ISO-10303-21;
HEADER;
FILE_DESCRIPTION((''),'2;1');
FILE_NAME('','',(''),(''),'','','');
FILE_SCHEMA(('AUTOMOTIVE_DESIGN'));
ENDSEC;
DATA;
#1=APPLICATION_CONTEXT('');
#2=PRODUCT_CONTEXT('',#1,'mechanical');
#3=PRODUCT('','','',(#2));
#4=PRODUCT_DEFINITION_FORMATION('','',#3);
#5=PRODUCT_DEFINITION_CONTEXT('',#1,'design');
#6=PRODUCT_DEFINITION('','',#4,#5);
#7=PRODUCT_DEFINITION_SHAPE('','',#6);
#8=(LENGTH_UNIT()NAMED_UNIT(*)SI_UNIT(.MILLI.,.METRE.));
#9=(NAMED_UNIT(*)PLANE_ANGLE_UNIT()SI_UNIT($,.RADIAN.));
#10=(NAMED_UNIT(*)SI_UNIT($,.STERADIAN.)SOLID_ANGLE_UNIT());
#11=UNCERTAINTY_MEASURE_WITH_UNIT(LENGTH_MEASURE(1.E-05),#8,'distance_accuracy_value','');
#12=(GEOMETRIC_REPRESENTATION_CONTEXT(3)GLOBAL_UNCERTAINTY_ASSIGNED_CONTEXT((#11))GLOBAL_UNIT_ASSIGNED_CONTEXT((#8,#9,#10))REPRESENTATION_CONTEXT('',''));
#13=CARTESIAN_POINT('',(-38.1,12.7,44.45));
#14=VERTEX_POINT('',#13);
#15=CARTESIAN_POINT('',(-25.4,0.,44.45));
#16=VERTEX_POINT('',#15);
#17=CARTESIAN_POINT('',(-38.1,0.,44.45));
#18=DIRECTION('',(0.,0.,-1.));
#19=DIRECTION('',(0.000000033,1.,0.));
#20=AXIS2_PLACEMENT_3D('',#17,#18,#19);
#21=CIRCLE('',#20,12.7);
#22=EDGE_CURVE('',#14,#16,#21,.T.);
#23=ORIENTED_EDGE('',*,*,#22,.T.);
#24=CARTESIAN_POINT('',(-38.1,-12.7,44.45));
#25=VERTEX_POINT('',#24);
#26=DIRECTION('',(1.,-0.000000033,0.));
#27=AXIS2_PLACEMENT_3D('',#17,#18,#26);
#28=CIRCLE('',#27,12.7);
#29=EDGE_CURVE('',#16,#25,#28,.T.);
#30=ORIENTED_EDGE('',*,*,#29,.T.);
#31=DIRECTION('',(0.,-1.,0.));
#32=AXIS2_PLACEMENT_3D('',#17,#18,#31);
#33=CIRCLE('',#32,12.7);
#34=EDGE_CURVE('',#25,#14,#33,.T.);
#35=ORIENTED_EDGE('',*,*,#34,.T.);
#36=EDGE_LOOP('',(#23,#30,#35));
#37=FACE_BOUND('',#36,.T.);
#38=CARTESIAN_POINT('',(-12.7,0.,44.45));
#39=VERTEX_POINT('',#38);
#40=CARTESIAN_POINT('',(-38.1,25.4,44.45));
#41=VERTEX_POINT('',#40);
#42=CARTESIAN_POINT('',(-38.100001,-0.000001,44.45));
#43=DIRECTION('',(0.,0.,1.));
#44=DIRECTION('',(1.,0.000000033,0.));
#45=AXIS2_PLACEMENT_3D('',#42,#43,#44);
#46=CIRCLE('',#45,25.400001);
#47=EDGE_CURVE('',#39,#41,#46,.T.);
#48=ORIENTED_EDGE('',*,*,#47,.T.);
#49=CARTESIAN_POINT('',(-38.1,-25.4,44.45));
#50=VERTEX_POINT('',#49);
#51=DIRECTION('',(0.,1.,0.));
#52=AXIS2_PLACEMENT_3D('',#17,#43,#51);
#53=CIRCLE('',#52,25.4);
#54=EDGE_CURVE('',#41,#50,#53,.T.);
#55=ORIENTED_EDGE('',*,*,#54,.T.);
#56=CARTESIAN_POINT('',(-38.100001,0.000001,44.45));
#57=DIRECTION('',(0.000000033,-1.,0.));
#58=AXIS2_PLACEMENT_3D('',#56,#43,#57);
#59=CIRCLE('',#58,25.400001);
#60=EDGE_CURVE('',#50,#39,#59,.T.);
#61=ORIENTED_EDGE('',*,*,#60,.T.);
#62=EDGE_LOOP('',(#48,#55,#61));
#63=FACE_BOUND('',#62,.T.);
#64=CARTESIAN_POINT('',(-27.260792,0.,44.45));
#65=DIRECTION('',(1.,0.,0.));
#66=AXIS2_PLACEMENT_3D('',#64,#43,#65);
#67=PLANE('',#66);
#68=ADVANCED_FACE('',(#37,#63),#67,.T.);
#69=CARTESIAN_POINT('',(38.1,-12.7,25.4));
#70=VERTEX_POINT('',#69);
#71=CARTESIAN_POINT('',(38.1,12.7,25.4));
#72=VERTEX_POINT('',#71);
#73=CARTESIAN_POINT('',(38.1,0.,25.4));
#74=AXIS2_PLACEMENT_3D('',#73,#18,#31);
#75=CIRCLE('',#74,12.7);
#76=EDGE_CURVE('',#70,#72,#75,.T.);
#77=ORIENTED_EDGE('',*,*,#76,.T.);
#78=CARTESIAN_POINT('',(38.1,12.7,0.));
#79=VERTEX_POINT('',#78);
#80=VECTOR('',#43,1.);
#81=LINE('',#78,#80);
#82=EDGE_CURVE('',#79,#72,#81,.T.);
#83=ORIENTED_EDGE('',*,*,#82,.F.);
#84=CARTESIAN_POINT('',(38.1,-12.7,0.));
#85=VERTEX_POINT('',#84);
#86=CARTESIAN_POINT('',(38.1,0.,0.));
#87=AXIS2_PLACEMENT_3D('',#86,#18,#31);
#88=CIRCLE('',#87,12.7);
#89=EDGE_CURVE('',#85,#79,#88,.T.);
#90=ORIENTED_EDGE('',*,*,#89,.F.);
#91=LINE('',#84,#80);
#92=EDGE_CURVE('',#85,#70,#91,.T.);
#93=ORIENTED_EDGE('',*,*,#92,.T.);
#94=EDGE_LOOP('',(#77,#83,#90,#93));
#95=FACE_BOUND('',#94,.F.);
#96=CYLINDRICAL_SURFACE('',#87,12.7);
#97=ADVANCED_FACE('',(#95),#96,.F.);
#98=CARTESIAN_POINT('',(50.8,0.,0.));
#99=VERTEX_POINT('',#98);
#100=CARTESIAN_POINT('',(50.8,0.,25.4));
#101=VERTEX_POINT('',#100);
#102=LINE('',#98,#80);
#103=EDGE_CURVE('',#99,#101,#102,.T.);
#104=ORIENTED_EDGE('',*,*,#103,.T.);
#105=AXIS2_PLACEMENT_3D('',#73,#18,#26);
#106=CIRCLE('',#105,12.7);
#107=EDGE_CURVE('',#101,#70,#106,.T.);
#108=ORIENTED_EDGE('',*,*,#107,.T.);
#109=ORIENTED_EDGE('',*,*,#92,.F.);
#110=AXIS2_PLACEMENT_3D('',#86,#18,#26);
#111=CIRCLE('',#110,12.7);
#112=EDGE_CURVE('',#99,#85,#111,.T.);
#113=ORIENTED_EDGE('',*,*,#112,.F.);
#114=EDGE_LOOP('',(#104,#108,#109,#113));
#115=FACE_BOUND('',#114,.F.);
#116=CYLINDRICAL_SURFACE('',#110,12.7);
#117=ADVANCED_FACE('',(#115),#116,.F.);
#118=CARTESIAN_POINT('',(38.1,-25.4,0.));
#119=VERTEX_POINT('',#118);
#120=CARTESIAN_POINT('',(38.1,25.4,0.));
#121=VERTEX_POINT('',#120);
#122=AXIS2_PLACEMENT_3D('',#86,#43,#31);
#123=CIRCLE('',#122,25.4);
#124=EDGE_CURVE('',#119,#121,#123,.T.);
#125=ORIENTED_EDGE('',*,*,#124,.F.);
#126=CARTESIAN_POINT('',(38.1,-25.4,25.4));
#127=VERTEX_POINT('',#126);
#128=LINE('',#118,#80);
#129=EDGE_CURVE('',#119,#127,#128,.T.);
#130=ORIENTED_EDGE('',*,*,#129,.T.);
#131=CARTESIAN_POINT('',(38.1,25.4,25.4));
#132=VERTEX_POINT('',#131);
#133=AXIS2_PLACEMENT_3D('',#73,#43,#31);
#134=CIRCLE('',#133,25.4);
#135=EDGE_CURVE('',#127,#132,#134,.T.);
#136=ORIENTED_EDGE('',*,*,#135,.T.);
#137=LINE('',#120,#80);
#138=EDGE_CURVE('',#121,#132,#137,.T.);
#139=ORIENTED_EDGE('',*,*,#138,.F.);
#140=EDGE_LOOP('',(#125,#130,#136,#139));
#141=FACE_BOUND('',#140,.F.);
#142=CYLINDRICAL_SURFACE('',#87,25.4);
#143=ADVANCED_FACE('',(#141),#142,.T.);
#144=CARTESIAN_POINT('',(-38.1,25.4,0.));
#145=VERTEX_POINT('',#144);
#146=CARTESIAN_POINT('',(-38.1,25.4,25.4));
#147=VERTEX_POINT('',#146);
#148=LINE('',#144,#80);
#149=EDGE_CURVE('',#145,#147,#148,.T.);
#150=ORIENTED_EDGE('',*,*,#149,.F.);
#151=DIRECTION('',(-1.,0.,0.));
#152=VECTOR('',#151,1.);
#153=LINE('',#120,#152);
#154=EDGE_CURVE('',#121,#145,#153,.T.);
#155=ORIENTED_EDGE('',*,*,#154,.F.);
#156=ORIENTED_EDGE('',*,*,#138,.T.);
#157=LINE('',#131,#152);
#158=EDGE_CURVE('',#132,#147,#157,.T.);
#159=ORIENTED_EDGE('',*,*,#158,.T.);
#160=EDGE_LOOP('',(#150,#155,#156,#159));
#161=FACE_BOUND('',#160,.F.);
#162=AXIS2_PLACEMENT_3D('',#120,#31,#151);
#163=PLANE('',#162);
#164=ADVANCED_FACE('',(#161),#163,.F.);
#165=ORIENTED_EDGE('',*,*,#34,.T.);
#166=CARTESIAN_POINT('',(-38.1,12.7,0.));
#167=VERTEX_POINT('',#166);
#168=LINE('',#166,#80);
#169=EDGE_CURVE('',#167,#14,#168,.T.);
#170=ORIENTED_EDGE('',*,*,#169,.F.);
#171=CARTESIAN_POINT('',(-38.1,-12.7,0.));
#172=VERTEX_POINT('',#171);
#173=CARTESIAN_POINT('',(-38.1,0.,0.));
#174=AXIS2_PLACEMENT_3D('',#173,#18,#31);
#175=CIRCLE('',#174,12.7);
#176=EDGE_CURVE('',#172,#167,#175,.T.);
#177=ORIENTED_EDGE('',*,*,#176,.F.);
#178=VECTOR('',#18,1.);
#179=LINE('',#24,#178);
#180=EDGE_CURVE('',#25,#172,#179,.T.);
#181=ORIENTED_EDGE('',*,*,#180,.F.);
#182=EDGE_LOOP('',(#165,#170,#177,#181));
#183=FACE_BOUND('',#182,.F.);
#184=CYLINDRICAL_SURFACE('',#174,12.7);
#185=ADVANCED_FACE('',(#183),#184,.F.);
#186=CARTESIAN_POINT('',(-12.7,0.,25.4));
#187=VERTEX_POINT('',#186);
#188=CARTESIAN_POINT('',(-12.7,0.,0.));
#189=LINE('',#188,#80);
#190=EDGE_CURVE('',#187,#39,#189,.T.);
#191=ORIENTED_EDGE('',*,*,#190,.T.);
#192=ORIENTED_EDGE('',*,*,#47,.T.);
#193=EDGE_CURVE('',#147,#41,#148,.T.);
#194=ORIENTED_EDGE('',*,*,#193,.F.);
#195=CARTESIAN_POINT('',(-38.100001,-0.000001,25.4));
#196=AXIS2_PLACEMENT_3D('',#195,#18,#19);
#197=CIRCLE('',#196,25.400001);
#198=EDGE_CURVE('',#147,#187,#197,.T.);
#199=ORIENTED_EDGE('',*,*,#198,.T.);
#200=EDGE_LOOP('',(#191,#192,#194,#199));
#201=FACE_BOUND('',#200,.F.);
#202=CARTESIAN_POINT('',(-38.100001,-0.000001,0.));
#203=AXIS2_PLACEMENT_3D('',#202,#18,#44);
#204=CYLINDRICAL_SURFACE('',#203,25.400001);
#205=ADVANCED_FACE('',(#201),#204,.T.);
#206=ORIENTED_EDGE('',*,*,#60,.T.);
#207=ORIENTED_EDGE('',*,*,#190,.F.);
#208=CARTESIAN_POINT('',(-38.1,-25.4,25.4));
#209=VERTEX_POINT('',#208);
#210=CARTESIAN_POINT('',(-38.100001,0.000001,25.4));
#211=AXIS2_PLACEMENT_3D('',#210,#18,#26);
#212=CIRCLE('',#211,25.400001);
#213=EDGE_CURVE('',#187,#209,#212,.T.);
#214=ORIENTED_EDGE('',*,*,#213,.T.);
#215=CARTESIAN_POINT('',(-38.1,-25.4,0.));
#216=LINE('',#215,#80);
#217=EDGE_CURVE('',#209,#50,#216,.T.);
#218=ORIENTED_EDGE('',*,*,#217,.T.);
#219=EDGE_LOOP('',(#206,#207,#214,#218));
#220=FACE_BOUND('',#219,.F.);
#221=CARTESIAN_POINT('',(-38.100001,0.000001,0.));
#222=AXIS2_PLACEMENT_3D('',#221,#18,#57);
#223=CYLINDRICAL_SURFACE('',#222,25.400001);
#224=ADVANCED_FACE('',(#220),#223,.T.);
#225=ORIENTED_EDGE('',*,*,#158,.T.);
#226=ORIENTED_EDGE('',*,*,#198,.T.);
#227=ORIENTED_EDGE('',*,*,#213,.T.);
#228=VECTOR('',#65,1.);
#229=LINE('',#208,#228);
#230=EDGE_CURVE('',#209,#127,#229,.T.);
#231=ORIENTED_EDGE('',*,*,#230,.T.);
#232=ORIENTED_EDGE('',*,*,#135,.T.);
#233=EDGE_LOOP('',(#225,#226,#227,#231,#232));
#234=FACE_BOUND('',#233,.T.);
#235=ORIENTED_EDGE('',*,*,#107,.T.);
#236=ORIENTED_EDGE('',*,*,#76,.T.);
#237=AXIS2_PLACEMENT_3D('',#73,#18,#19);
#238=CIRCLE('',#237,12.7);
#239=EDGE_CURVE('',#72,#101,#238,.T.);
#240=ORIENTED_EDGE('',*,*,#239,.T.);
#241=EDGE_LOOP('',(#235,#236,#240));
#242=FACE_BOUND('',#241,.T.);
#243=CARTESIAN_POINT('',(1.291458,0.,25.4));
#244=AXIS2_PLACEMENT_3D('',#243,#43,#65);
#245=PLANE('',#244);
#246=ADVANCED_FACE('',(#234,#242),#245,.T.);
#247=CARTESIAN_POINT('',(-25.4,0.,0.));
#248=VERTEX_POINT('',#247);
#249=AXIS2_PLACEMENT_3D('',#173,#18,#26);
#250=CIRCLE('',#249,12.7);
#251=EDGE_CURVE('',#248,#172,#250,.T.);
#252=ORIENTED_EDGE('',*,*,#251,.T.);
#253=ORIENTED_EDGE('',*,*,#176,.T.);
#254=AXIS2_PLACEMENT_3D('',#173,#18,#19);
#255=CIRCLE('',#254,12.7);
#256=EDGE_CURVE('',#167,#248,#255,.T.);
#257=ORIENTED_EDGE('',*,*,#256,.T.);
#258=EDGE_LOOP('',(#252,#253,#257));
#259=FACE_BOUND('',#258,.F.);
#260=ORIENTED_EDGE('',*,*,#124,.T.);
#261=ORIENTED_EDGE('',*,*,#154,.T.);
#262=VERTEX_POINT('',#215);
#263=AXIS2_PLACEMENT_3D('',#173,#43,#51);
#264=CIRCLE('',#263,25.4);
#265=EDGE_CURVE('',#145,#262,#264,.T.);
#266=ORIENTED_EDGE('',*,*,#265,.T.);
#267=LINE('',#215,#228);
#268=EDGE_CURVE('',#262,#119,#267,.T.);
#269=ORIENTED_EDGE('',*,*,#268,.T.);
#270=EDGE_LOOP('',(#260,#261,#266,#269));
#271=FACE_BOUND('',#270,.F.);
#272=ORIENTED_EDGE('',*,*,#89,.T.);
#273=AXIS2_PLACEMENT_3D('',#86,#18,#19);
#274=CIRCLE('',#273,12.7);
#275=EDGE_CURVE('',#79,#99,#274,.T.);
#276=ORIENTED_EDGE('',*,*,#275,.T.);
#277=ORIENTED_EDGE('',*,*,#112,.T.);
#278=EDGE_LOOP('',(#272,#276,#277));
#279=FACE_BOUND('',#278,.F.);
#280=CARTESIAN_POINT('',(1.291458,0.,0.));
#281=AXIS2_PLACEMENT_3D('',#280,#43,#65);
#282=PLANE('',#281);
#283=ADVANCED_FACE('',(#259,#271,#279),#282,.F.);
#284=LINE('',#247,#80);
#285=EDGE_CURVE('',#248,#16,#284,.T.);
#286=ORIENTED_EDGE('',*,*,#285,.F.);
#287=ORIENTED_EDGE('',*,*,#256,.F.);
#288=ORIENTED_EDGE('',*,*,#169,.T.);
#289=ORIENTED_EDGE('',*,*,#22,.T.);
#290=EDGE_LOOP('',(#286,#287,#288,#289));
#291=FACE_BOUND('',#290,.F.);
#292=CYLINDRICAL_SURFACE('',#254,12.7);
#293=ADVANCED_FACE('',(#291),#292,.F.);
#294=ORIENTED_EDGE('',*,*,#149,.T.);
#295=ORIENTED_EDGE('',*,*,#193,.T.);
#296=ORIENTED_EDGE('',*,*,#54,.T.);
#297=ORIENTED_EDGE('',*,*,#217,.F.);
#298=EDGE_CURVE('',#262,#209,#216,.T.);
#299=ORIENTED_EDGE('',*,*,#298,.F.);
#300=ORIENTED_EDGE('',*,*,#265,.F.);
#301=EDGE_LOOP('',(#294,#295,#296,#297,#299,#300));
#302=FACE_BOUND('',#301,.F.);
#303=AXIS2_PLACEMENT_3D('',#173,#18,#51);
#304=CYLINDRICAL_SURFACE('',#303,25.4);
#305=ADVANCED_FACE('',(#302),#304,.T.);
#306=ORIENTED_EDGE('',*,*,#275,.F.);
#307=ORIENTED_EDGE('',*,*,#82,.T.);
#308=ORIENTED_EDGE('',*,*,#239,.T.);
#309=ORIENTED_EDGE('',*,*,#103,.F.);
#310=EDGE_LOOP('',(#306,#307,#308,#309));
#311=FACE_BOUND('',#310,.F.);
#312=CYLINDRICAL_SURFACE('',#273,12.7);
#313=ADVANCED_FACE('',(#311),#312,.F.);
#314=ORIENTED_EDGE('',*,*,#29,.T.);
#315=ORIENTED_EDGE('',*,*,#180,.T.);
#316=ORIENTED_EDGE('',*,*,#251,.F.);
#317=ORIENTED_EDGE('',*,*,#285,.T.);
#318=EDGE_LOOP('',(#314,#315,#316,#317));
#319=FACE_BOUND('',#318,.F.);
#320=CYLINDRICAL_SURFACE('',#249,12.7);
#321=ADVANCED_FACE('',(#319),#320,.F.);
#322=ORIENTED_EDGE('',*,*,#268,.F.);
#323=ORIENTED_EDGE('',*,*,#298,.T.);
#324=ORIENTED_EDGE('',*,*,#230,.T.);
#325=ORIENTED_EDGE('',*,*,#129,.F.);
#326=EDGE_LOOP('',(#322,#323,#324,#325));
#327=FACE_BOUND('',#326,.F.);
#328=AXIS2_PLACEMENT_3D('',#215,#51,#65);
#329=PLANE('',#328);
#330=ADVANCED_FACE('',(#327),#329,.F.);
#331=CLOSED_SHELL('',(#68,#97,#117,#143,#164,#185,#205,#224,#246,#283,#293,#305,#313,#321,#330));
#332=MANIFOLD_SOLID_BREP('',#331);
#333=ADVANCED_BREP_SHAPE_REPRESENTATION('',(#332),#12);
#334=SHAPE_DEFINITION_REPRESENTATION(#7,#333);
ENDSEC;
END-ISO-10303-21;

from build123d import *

# Parameters (mm, degrees)
F1_DEPTH = 44.45
F2_DEPTH = 25.4


with BuildPart() as f1:
    # F0 (on Top) → F1 (new body)
    with BuildSketch(Plane.XY):
        with BuildLine():
            Line((-38.1, -12.7), (-38.1, -25.4))
            ThreePointArc((-38.1, -25.4), (-20.139488, -17.960512), (-12.7, 0))
            ThreePointArc((-12.7, 0), (-20.139488, 17.960512), (-38.1, 25.4))
            Line((-38.1, 25.4), (-38.1, 12.7))
            ThreePointArc((-38.1, 12.7), (-29.119744, 8.980256), (-25.4, 0))
            ThreePointArc((-25.4, 0), (-29.119744, -8.980256), (-38.1, -12.7))
        make_face()
        with BuildLine():
            ThreePointArc((-38.1, 25.4), (-63.5, 0), (-38.1, -25.4))
            Line((-38.1, -25.4), (-38.1, -12.7))
            ThreePointArc((-38.1, -12.7), (-50.8, 0), (-38.1, 12.7))
            Line((-38.1, 12.7), (-38.1, 25.4))
        make_face()
    extrude(amount=F1_DEPTH)

    # F0 (on Top) → F2 (join)
    with BuildSketch(Plane.XY):
        with BuildLine():
            ThreePointArc((-12.7, 0), (-20.139488, -17.960512), (-38.1, -25.4))
            Line((-38.1, -25.4), (38.1, -25.4))
            Line((38.1, -25.4), (38.1, -12.7))
            ThreePointArc((38.1, -12.7), (25.4, 0), (38.1, 12.7))
            Line((38.1, 12.7), (38.1, 25.4))
            Line((38.1, 25.4), (-38.1, 25.4))
            ThreePointArc((-38.1, 25.4), (-20.139488, 17.960512), (-12.7, 0))
        make_face()
        with BuildLine():
            ThreePointArc((-38.1, 25.4), (-63.5, 0), (-38.1, -25.4))
            Line((-38.1, -25.4), (-38.1, -12.7))
            ThreePointArc((-38.1, -12.7), (-50.8, 0), (-38.1, 12.7))
            Line((-38.1, 12.7), (-38.1, 25.4))
        make_face()
        with BuildLine():
            Line((38.1, -12.7), (38.1, -25.4))
            ThreePointArc((38.1, -25.4), (63.5, 0), (38.1, 25.4))
            Line((38.1, 25.4), (38.1, 12.7))
            ThreePointArc((38.1, 12.7), (47.080256, 8.980256), (50.8, 0))
            ThreePointArc((50.8, 0), (47.080256, -8.980256), (38.1, -12.7))
        make_face()
    extrude(amount=F2_DEPTH)


solid = f1.part
